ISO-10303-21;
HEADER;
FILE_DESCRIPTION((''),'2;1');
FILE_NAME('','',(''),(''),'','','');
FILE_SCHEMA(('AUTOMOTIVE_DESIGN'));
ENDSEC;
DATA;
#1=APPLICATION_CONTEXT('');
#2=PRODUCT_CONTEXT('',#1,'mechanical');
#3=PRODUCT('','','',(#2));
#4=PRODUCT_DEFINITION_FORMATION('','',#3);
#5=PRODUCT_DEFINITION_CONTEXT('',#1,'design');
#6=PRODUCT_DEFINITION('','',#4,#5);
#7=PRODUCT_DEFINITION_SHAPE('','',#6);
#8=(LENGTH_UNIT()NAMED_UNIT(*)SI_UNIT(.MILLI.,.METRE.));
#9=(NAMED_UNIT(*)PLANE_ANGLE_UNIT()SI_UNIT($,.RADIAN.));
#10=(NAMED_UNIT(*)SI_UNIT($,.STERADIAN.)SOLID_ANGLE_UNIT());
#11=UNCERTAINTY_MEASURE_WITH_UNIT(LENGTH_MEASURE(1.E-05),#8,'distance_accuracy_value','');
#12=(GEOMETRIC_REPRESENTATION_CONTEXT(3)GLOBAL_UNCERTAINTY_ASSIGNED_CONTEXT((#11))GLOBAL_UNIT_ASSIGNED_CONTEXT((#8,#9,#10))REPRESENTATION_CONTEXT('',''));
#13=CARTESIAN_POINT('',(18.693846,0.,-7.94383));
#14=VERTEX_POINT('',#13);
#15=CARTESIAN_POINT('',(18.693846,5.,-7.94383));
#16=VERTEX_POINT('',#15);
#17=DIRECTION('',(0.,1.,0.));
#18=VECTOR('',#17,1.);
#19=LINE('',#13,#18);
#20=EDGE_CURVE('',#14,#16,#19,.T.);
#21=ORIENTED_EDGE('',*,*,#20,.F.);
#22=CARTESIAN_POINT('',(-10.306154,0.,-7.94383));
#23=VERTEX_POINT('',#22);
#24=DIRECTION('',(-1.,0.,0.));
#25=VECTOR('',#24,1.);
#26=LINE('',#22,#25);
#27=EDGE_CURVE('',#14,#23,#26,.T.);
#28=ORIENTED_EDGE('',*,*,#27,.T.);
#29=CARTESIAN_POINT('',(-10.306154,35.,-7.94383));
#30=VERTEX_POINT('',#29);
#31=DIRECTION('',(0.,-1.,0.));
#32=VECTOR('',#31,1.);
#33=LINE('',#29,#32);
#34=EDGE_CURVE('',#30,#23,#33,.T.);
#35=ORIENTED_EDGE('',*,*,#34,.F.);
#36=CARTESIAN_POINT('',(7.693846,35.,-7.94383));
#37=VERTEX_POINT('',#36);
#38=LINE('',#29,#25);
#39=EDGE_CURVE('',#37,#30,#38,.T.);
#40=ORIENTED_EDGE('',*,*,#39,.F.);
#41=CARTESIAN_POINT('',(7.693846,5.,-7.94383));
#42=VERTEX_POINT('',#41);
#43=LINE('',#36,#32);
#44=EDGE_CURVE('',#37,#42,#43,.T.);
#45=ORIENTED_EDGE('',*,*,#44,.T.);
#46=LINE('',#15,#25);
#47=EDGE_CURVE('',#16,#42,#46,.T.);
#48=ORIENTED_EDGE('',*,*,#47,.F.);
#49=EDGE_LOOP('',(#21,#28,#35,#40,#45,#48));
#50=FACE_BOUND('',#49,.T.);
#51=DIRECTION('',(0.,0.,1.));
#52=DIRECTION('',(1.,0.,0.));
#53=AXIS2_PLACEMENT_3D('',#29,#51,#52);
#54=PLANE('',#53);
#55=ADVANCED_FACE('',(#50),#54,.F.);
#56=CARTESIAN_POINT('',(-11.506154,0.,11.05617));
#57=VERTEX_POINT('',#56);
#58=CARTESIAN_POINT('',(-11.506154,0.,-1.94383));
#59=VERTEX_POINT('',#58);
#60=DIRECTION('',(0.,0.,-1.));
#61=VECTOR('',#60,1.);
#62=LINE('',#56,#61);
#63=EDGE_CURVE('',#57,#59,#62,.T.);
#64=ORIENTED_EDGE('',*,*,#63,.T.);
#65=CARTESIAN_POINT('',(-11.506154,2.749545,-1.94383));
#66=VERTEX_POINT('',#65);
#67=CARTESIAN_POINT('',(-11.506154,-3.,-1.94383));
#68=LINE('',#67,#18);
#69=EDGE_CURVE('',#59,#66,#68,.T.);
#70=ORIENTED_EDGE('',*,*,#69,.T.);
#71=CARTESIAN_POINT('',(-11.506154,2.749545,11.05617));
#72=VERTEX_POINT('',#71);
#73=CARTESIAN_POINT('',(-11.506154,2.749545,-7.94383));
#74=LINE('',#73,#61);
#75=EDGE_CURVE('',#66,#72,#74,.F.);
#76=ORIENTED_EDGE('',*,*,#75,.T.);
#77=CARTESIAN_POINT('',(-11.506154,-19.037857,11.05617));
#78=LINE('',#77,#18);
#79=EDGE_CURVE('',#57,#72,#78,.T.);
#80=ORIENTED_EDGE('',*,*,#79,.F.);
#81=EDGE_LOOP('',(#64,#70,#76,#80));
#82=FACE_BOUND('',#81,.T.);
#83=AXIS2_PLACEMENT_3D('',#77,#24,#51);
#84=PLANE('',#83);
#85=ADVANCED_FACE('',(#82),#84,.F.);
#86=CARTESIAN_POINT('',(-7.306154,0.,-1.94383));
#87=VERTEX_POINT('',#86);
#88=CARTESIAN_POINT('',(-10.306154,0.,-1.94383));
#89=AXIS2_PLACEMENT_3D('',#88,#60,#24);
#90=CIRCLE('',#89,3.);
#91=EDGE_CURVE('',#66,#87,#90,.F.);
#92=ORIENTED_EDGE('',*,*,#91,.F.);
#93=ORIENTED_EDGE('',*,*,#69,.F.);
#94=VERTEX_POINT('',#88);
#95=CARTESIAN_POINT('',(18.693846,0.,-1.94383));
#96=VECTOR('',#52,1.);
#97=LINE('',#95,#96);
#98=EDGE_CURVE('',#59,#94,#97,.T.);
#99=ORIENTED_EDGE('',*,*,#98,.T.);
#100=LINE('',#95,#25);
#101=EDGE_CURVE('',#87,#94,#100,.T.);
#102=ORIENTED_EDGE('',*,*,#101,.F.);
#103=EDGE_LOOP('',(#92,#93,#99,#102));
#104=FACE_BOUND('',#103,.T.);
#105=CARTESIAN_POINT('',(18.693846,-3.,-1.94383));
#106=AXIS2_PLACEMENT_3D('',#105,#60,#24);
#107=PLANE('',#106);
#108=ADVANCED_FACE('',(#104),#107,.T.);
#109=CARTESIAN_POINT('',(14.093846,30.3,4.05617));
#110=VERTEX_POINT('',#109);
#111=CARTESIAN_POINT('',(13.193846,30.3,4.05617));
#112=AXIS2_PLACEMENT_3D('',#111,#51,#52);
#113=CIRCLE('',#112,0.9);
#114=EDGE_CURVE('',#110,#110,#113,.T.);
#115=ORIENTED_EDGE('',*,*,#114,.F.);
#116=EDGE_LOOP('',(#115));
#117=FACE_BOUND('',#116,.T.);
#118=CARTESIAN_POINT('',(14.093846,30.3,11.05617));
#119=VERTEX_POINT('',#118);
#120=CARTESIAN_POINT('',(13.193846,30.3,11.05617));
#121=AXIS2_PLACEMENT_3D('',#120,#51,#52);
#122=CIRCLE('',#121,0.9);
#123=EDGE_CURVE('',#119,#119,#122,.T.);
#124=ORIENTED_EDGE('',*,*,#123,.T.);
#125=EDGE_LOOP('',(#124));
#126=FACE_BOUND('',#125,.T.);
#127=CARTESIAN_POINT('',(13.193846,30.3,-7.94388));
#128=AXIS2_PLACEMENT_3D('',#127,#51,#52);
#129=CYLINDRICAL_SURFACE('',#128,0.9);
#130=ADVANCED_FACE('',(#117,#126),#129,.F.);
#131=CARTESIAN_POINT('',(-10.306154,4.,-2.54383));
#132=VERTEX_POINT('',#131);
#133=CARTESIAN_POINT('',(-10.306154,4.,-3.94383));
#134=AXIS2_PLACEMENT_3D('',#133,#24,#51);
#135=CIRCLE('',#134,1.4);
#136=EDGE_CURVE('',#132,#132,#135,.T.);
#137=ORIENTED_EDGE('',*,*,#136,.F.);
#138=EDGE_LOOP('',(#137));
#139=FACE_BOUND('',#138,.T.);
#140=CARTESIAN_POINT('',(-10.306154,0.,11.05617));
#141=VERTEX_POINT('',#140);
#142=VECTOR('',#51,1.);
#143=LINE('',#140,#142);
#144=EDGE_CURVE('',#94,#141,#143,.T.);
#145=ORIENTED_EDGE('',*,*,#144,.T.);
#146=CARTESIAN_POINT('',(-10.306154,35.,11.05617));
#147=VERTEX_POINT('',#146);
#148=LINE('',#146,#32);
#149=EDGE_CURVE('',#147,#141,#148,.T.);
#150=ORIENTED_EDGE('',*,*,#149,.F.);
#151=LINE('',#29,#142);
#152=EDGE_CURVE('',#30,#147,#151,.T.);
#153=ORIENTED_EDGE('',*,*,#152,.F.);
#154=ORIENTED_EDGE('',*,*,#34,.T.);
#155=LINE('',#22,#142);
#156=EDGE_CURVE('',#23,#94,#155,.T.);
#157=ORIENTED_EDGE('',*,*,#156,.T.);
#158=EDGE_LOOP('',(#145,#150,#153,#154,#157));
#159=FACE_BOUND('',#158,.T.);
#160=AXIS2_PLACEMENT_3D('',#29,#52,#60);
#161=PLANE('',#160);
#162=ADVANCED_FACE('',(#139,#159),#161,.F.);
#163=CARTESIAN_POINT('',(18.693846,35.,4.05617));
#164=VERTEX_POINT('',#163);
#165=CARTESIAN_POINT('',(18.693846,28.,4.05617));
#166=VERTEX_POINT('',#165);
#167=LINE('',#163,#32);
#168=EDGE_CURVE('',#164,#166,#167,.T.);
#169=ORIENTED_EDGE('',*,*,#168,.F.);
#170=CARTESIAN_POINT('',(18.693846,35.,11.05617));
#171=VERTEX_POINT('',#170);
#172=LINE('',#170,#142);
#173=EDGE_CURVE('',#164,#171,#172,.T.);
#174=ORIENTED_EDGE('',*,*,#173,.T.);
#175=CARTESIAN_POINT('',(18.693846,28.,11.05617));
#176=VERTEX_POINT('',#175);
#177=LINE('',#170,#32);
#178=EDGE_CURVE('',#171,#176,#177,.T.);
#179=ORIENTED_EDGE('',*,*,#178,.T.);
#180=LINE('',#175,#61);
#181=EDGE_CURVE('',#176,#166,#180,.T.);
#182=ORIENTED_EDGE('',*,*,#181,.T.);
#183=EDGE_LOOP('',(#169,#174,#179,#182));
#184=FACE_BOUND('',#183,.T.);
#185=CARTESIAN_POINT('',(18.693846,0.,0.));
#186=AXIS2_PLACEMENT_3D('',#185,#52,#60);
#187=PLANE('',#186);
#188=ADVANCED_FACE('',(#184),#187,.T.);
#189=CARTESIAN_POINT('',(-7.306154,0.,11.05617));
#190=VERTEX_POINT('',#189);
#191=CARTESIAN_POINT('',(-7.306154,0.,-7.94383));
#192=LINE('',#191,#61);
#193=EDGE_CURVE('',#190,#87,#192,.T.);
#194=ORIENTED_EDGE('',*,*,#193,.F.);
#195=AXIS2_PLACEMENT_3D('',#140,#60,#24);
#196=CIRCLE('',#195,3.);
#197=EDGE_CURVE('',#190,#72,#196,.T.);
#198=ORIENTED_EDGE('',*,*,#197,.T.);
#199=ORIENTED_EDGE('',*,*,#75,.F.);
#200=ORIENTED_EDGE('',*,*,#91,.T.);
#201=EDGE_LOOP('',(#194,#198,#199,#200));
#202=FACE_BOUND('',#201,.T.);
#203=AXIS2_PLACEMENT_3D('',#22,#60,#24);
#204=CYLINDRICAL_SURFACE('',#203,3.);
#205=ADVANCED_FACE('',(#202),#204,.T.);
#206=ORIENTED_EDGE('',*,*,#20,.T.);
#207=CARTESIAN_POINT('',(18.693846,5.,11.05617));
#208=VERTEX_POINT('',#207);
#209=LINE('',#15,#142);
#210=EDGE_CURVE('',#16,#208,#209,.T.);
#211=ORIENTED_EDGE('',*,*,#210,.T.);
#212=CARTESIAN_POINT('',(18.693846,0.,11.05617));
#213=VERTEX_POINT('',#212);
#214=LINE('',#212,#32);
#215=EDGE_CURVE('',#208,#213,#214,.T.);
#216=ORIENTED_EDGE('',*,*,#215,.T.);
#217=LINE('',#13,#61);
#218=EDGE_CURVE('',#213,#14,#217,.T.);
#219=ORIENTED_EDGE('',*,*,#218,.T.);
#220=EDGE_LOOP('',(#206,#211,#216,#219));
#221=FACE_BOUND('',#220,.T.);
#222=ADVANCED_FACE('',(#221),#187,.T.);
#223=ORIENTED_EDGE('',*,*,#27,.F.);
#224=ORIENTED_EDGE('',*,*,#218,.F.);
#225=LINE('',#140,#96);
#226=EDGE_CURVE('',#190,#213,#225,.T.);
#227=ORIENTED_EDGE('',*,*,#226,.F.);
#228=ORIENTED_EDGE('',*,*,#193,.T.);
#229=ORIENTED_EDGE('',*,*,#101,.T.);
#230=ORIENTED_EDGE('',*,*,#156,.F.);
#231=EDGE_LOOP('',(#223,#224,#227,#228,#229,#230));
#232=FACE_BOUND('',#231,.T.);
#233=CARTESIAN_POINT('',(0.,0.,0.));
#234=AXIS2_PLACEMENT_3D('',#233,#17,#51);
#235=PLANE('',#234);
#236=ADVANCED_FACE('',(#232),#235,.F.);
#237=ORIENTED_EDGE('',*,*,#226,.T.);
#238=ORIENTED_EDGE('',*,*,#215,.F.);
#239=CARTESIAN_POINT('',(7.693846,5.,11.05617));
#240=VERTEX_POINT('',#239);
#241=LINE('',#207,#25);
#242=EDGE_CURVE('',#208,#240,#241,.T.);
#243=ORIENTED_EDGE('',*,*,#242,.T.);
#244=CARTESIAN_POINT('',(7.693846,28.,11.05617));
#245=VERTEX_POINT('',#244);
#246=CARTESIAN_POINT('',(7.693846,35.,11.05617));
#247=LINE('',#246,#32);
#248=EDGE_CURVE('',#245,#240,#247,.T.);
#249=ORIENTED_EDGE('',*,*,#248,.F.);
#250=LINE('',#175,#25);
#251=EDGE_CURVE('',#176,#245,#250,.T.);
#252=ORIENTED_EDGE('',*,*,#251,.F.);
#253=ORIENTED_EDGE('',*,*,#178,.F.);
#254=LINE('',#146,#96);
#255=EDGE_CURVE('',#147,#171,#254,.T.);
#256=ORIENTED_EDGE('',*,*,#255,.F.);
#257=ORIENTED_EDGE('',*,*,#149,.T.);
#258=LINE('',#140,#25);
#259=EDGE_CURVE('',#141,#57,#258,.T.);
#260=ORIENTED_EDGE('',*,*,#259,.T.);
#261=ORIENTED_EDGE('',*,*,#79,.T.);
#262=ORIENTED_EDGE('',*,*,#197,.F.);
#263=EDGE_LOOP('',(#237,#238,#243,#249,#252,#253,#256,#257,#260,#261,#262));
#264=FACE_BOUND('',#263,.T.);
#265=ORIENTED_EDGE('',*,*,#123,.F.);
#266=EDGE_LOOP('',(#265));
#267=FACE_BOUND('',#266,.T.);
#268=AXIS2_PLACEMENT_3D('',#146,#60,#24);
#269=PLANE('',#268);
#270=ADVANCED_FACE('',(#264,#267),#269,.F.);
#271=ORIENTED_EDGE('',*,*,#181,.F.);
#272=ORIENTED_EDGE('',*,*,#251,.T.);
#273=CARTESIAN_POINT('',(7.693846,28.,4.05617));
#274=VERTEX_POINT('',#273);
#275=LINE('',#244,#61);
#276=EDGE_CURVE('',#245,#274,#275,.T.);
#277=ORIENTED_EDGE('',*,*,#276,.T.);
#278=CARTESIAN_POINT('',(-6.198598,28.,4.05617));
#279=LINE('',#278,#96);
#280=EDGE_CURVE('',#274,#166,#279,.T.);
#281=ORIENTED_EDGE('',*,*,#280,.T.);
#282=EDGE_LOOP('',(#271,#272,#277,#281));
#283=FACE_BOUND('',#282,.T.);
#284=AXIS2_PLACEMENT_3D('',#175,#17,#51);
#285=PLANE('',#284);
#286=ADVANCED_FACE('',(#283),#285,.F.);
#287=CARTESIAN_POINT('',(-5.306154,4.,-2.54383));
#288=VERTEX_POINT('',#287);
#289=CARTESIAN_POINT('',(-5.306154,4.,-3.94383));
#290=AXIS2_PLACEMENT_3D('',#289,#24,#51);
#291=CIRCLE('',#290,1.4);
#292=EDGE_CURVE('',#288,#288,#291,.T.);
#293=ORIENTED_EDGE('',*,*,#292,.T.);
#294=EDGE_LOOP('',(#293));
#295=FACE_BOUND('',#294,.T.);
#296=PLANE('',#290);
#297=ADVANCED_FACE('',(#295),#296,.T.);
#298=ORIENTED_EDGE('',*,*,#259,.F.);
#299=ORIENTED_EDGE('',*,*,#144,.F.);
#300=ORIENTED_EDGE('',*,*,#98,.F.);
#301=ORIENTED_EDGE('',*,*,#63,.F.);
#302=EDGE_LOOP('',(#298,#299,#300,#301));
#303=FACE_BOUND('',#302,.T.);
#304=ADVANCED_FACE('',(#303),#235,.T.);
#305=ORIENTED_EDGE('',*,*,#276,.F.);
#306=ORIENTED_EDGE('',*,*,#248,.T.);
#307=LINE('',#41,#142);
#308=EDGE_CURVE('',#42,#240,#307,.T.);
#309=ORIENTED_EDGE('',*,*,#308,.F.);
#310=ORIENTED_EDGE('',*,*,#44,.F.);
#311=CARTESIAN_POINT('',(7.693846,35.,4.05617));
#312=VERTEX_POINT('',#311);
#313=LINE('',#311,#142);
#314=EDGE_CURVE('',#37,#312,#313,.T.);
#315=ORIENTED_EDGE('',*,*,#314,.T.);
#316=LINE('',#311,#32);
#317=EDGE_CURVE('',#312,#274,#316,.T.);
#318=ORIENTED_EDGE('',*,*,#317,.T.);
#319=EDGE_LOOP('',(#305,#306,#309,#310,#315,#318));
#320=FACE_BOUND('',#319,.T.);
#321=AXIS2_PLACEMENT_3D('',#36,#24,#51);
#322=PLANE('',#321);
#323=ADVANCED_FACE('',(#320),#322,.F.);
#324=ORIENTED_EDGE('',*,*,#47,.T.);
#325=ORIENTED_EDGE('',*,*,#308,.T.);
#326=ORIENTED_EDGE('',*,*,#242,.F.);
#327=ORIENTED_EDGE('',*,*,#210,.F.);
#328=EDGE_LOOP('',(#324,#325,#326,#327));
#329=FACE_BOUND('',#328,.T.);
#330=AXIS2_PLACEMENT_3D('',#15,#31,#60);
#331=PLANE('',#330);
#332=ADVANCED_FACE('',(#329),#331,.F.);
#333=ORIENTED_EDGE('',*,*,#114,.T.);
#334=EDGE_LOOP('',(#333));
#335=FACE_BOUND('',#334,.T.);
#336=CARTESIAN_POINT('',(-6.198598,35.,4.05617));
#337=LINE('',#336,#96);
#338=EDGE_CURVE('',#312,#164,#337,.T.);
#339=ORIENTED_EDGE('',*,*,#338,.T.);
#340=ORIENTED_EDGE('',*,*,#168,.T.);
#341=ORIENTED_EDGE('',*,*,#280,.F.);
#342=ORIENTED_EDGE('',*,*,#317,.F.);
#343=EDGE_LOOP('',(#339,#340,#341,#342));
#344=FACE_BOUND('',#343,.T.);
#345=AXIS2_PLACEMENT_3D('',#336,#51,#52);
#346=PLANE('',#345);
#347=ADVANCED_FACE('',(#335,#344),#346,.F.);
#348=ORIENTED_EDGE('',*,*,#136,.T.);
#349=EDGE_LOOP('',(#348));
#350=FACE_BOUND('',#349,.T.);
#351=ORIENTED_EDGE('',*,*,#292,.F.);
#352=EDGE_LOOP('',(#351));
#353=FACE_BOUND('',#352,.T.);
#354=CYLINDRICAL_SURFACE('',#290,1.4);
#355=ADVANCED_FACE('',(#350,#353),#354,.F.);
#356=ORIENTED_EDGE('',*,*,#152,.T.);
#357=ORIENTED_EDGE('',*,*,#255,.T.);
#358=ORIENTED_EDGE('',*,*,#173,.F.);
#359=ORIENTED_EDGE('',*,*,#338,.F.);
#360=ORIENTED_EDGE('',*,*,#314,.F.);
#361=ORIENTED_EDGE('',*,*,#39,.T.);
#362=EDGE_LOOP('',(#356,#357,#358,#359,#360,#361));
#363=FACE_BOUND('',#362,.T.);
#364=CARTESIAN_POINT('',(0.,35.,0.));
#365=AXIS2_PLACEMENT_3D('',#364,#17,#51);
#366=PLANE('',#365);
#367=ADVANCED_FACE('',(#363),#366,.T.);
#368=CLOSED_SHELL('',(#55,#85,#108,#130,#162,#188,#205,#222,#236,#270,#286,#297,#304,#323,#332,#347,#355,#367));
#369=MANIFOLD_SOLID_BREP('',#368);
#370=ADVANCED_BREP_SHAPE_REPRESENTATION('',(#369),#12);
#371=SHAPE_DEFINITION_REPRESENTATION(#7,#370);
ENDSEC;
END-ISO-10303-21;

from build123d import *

# Parameters (mm, degrees)
SKETCH1_W           = 18
SKETCH1_H           = 19
BOSS_EXTRUDE1_DEPTH = 35
SKETCH2_W           = 19
SKETCH2_H           = 5
SKETCH2_H_2         = 7
BOSS_EXTRUDE2_DEPTH = 11
SKETCH3_W           = 12
SKETCH3_H           = 7
CUT_EXTRUDE1_DEPTH  = 11
SKETCH7_W           = 3
SKETCH7_H           = 19
SKETCH9_W           = 39
SKETCH9_H           = 6
CUT_EXTRUDE3_DEPTH  = 4
SKETCH10_W          = 6
SKETCH10_H          = 35
CUT_EXTRUDE4_DEPTH  = 4
SKETCH11_W          = 1.2
SKETCH11_H          = 19
CUT_EXTRUDE5_DEPTH  = 35
SKETCH12_R          = 1.4
CUT_EXTRUDE6_DEPTH  = 5
SKETCH13_R          = 0.9
CUT_EXTRUDE7_DEPTH  = 20


with BuildPart() as part:
    # Sketch1 → Boss-Extrude1 (new body)
    with BuildSketch(Plane(origin=(0, 0, 0), x_dir=(1, 0, 0), z_dir=(0, 1, 0))):
        with Locations((-1.30615381, -1.556170273)):
            Rectangle(SKETCH1_W, SKETCH1_H)
    extrude(amount=BOSS_EXTRUDE1_DEPTH)

    # Sketch2 → Boss-Extrude2 (add)
    with BuildSketch(Plane(origin=(7.69384619, 0, 0), x_dir=(0, 0, -1), z_dir=(1, 0, 0))):
        with Locations((-1.556170273, 2.5)):
            Rectangle(SKETCH2_W, SKETCH2_H)
        with Locations((-1.556170273, 31.5)):
            Rectangle(SKETCH2_W, SKETCH2_H_2)
    extrude(amount=BOSS_EXTRUDE2_DEPTH)

    # Sketch3 → Cut-Extrude1 (cut)
    with BuildSketch(Plane(origin=(18.69384619, 0, 0), x_dir=(0, 0, -1), z_dir=(1, 0, 0))):
        with Locations((1.943829727, 31.5)):
            Rectangle(SKETCH3_W, SKETCH3_H)
    extrude(amount=-CUT_EXTRUDE1_DEPTH, mode=Mode.SUBTRACT)

    # Sketch7 → Revolve2 (revolve)
    with BuildSketch(Plane.XZ):
        with Locations((-8.80615381, 1.556170273)):
            Rectangle(SKETCH7_W, SKETCH7_H)
    revolve(axis=Axis((-10.30615381, 0, -7.943829727), (0, 0, 1)))

    # Sketch9 → Cut-Extrude3 (cut, through all)
    with BuildSketch(Plane.XZ):
        with Locations((-0.80615381, -4.943829727)):
            Rectangle(SKETCH9_W, SKETCH9_H)
    extrude(amount=CUT_EXTRUDE3_DEPTH, mode=Mode.SUBTRACT)

    # Sketch10 → Cut-Extrude4 (cut, through all)
    with BuildSketch(Plane.ZY.offset(10.30615381)):
        with Locations((-4.943829727, 17.5)):
            Rectangle(SKETCH10_W, SKETCH10_H)
    extrude(amount=CUT_EXTRUDE4_DEPTH, mode=Mode.SUBTRACT)

    # Sketch11 → Cut-Extrude5 (cut)
    with BuildSketch(Plane(origin=(0, 35, 0), x_dir=(1, 0, 0), z_dir=(0, 1, 0))):
        with Locations((-10.90615381, -1.556170273)):
            Rectangle(SKETCH11_W, SKETCH11_H)
    extrude(amount=-CUT_EXTRUDE5_DEPTH, mode=Mode.SUBTRACT)

    # Sketch12 → Cut-Extrude6 (cut)
    with BuildSketch(Plane.ZY.offset(10.30615381)):
        with Locations((-3.943829727, 4)):
            Circle(SKETCH12_R)
    extrude(amount=-CUT_EXTRUDE6_DEPTH, mode=Mode.SUBTRACT)

    # Sketch13 → Cut-Extrude7 (cut, through all)
    with BuildSketch(Plane.XY.offset(11.056170273)):
        with Locations((13.19384619, 30.3)):
            Circle(SKETCH13_R)
    extrude(amount=-CUT_EXTRUDE7_DEPTH, mode=Mode.SUBTRACT)


solid = part.part
